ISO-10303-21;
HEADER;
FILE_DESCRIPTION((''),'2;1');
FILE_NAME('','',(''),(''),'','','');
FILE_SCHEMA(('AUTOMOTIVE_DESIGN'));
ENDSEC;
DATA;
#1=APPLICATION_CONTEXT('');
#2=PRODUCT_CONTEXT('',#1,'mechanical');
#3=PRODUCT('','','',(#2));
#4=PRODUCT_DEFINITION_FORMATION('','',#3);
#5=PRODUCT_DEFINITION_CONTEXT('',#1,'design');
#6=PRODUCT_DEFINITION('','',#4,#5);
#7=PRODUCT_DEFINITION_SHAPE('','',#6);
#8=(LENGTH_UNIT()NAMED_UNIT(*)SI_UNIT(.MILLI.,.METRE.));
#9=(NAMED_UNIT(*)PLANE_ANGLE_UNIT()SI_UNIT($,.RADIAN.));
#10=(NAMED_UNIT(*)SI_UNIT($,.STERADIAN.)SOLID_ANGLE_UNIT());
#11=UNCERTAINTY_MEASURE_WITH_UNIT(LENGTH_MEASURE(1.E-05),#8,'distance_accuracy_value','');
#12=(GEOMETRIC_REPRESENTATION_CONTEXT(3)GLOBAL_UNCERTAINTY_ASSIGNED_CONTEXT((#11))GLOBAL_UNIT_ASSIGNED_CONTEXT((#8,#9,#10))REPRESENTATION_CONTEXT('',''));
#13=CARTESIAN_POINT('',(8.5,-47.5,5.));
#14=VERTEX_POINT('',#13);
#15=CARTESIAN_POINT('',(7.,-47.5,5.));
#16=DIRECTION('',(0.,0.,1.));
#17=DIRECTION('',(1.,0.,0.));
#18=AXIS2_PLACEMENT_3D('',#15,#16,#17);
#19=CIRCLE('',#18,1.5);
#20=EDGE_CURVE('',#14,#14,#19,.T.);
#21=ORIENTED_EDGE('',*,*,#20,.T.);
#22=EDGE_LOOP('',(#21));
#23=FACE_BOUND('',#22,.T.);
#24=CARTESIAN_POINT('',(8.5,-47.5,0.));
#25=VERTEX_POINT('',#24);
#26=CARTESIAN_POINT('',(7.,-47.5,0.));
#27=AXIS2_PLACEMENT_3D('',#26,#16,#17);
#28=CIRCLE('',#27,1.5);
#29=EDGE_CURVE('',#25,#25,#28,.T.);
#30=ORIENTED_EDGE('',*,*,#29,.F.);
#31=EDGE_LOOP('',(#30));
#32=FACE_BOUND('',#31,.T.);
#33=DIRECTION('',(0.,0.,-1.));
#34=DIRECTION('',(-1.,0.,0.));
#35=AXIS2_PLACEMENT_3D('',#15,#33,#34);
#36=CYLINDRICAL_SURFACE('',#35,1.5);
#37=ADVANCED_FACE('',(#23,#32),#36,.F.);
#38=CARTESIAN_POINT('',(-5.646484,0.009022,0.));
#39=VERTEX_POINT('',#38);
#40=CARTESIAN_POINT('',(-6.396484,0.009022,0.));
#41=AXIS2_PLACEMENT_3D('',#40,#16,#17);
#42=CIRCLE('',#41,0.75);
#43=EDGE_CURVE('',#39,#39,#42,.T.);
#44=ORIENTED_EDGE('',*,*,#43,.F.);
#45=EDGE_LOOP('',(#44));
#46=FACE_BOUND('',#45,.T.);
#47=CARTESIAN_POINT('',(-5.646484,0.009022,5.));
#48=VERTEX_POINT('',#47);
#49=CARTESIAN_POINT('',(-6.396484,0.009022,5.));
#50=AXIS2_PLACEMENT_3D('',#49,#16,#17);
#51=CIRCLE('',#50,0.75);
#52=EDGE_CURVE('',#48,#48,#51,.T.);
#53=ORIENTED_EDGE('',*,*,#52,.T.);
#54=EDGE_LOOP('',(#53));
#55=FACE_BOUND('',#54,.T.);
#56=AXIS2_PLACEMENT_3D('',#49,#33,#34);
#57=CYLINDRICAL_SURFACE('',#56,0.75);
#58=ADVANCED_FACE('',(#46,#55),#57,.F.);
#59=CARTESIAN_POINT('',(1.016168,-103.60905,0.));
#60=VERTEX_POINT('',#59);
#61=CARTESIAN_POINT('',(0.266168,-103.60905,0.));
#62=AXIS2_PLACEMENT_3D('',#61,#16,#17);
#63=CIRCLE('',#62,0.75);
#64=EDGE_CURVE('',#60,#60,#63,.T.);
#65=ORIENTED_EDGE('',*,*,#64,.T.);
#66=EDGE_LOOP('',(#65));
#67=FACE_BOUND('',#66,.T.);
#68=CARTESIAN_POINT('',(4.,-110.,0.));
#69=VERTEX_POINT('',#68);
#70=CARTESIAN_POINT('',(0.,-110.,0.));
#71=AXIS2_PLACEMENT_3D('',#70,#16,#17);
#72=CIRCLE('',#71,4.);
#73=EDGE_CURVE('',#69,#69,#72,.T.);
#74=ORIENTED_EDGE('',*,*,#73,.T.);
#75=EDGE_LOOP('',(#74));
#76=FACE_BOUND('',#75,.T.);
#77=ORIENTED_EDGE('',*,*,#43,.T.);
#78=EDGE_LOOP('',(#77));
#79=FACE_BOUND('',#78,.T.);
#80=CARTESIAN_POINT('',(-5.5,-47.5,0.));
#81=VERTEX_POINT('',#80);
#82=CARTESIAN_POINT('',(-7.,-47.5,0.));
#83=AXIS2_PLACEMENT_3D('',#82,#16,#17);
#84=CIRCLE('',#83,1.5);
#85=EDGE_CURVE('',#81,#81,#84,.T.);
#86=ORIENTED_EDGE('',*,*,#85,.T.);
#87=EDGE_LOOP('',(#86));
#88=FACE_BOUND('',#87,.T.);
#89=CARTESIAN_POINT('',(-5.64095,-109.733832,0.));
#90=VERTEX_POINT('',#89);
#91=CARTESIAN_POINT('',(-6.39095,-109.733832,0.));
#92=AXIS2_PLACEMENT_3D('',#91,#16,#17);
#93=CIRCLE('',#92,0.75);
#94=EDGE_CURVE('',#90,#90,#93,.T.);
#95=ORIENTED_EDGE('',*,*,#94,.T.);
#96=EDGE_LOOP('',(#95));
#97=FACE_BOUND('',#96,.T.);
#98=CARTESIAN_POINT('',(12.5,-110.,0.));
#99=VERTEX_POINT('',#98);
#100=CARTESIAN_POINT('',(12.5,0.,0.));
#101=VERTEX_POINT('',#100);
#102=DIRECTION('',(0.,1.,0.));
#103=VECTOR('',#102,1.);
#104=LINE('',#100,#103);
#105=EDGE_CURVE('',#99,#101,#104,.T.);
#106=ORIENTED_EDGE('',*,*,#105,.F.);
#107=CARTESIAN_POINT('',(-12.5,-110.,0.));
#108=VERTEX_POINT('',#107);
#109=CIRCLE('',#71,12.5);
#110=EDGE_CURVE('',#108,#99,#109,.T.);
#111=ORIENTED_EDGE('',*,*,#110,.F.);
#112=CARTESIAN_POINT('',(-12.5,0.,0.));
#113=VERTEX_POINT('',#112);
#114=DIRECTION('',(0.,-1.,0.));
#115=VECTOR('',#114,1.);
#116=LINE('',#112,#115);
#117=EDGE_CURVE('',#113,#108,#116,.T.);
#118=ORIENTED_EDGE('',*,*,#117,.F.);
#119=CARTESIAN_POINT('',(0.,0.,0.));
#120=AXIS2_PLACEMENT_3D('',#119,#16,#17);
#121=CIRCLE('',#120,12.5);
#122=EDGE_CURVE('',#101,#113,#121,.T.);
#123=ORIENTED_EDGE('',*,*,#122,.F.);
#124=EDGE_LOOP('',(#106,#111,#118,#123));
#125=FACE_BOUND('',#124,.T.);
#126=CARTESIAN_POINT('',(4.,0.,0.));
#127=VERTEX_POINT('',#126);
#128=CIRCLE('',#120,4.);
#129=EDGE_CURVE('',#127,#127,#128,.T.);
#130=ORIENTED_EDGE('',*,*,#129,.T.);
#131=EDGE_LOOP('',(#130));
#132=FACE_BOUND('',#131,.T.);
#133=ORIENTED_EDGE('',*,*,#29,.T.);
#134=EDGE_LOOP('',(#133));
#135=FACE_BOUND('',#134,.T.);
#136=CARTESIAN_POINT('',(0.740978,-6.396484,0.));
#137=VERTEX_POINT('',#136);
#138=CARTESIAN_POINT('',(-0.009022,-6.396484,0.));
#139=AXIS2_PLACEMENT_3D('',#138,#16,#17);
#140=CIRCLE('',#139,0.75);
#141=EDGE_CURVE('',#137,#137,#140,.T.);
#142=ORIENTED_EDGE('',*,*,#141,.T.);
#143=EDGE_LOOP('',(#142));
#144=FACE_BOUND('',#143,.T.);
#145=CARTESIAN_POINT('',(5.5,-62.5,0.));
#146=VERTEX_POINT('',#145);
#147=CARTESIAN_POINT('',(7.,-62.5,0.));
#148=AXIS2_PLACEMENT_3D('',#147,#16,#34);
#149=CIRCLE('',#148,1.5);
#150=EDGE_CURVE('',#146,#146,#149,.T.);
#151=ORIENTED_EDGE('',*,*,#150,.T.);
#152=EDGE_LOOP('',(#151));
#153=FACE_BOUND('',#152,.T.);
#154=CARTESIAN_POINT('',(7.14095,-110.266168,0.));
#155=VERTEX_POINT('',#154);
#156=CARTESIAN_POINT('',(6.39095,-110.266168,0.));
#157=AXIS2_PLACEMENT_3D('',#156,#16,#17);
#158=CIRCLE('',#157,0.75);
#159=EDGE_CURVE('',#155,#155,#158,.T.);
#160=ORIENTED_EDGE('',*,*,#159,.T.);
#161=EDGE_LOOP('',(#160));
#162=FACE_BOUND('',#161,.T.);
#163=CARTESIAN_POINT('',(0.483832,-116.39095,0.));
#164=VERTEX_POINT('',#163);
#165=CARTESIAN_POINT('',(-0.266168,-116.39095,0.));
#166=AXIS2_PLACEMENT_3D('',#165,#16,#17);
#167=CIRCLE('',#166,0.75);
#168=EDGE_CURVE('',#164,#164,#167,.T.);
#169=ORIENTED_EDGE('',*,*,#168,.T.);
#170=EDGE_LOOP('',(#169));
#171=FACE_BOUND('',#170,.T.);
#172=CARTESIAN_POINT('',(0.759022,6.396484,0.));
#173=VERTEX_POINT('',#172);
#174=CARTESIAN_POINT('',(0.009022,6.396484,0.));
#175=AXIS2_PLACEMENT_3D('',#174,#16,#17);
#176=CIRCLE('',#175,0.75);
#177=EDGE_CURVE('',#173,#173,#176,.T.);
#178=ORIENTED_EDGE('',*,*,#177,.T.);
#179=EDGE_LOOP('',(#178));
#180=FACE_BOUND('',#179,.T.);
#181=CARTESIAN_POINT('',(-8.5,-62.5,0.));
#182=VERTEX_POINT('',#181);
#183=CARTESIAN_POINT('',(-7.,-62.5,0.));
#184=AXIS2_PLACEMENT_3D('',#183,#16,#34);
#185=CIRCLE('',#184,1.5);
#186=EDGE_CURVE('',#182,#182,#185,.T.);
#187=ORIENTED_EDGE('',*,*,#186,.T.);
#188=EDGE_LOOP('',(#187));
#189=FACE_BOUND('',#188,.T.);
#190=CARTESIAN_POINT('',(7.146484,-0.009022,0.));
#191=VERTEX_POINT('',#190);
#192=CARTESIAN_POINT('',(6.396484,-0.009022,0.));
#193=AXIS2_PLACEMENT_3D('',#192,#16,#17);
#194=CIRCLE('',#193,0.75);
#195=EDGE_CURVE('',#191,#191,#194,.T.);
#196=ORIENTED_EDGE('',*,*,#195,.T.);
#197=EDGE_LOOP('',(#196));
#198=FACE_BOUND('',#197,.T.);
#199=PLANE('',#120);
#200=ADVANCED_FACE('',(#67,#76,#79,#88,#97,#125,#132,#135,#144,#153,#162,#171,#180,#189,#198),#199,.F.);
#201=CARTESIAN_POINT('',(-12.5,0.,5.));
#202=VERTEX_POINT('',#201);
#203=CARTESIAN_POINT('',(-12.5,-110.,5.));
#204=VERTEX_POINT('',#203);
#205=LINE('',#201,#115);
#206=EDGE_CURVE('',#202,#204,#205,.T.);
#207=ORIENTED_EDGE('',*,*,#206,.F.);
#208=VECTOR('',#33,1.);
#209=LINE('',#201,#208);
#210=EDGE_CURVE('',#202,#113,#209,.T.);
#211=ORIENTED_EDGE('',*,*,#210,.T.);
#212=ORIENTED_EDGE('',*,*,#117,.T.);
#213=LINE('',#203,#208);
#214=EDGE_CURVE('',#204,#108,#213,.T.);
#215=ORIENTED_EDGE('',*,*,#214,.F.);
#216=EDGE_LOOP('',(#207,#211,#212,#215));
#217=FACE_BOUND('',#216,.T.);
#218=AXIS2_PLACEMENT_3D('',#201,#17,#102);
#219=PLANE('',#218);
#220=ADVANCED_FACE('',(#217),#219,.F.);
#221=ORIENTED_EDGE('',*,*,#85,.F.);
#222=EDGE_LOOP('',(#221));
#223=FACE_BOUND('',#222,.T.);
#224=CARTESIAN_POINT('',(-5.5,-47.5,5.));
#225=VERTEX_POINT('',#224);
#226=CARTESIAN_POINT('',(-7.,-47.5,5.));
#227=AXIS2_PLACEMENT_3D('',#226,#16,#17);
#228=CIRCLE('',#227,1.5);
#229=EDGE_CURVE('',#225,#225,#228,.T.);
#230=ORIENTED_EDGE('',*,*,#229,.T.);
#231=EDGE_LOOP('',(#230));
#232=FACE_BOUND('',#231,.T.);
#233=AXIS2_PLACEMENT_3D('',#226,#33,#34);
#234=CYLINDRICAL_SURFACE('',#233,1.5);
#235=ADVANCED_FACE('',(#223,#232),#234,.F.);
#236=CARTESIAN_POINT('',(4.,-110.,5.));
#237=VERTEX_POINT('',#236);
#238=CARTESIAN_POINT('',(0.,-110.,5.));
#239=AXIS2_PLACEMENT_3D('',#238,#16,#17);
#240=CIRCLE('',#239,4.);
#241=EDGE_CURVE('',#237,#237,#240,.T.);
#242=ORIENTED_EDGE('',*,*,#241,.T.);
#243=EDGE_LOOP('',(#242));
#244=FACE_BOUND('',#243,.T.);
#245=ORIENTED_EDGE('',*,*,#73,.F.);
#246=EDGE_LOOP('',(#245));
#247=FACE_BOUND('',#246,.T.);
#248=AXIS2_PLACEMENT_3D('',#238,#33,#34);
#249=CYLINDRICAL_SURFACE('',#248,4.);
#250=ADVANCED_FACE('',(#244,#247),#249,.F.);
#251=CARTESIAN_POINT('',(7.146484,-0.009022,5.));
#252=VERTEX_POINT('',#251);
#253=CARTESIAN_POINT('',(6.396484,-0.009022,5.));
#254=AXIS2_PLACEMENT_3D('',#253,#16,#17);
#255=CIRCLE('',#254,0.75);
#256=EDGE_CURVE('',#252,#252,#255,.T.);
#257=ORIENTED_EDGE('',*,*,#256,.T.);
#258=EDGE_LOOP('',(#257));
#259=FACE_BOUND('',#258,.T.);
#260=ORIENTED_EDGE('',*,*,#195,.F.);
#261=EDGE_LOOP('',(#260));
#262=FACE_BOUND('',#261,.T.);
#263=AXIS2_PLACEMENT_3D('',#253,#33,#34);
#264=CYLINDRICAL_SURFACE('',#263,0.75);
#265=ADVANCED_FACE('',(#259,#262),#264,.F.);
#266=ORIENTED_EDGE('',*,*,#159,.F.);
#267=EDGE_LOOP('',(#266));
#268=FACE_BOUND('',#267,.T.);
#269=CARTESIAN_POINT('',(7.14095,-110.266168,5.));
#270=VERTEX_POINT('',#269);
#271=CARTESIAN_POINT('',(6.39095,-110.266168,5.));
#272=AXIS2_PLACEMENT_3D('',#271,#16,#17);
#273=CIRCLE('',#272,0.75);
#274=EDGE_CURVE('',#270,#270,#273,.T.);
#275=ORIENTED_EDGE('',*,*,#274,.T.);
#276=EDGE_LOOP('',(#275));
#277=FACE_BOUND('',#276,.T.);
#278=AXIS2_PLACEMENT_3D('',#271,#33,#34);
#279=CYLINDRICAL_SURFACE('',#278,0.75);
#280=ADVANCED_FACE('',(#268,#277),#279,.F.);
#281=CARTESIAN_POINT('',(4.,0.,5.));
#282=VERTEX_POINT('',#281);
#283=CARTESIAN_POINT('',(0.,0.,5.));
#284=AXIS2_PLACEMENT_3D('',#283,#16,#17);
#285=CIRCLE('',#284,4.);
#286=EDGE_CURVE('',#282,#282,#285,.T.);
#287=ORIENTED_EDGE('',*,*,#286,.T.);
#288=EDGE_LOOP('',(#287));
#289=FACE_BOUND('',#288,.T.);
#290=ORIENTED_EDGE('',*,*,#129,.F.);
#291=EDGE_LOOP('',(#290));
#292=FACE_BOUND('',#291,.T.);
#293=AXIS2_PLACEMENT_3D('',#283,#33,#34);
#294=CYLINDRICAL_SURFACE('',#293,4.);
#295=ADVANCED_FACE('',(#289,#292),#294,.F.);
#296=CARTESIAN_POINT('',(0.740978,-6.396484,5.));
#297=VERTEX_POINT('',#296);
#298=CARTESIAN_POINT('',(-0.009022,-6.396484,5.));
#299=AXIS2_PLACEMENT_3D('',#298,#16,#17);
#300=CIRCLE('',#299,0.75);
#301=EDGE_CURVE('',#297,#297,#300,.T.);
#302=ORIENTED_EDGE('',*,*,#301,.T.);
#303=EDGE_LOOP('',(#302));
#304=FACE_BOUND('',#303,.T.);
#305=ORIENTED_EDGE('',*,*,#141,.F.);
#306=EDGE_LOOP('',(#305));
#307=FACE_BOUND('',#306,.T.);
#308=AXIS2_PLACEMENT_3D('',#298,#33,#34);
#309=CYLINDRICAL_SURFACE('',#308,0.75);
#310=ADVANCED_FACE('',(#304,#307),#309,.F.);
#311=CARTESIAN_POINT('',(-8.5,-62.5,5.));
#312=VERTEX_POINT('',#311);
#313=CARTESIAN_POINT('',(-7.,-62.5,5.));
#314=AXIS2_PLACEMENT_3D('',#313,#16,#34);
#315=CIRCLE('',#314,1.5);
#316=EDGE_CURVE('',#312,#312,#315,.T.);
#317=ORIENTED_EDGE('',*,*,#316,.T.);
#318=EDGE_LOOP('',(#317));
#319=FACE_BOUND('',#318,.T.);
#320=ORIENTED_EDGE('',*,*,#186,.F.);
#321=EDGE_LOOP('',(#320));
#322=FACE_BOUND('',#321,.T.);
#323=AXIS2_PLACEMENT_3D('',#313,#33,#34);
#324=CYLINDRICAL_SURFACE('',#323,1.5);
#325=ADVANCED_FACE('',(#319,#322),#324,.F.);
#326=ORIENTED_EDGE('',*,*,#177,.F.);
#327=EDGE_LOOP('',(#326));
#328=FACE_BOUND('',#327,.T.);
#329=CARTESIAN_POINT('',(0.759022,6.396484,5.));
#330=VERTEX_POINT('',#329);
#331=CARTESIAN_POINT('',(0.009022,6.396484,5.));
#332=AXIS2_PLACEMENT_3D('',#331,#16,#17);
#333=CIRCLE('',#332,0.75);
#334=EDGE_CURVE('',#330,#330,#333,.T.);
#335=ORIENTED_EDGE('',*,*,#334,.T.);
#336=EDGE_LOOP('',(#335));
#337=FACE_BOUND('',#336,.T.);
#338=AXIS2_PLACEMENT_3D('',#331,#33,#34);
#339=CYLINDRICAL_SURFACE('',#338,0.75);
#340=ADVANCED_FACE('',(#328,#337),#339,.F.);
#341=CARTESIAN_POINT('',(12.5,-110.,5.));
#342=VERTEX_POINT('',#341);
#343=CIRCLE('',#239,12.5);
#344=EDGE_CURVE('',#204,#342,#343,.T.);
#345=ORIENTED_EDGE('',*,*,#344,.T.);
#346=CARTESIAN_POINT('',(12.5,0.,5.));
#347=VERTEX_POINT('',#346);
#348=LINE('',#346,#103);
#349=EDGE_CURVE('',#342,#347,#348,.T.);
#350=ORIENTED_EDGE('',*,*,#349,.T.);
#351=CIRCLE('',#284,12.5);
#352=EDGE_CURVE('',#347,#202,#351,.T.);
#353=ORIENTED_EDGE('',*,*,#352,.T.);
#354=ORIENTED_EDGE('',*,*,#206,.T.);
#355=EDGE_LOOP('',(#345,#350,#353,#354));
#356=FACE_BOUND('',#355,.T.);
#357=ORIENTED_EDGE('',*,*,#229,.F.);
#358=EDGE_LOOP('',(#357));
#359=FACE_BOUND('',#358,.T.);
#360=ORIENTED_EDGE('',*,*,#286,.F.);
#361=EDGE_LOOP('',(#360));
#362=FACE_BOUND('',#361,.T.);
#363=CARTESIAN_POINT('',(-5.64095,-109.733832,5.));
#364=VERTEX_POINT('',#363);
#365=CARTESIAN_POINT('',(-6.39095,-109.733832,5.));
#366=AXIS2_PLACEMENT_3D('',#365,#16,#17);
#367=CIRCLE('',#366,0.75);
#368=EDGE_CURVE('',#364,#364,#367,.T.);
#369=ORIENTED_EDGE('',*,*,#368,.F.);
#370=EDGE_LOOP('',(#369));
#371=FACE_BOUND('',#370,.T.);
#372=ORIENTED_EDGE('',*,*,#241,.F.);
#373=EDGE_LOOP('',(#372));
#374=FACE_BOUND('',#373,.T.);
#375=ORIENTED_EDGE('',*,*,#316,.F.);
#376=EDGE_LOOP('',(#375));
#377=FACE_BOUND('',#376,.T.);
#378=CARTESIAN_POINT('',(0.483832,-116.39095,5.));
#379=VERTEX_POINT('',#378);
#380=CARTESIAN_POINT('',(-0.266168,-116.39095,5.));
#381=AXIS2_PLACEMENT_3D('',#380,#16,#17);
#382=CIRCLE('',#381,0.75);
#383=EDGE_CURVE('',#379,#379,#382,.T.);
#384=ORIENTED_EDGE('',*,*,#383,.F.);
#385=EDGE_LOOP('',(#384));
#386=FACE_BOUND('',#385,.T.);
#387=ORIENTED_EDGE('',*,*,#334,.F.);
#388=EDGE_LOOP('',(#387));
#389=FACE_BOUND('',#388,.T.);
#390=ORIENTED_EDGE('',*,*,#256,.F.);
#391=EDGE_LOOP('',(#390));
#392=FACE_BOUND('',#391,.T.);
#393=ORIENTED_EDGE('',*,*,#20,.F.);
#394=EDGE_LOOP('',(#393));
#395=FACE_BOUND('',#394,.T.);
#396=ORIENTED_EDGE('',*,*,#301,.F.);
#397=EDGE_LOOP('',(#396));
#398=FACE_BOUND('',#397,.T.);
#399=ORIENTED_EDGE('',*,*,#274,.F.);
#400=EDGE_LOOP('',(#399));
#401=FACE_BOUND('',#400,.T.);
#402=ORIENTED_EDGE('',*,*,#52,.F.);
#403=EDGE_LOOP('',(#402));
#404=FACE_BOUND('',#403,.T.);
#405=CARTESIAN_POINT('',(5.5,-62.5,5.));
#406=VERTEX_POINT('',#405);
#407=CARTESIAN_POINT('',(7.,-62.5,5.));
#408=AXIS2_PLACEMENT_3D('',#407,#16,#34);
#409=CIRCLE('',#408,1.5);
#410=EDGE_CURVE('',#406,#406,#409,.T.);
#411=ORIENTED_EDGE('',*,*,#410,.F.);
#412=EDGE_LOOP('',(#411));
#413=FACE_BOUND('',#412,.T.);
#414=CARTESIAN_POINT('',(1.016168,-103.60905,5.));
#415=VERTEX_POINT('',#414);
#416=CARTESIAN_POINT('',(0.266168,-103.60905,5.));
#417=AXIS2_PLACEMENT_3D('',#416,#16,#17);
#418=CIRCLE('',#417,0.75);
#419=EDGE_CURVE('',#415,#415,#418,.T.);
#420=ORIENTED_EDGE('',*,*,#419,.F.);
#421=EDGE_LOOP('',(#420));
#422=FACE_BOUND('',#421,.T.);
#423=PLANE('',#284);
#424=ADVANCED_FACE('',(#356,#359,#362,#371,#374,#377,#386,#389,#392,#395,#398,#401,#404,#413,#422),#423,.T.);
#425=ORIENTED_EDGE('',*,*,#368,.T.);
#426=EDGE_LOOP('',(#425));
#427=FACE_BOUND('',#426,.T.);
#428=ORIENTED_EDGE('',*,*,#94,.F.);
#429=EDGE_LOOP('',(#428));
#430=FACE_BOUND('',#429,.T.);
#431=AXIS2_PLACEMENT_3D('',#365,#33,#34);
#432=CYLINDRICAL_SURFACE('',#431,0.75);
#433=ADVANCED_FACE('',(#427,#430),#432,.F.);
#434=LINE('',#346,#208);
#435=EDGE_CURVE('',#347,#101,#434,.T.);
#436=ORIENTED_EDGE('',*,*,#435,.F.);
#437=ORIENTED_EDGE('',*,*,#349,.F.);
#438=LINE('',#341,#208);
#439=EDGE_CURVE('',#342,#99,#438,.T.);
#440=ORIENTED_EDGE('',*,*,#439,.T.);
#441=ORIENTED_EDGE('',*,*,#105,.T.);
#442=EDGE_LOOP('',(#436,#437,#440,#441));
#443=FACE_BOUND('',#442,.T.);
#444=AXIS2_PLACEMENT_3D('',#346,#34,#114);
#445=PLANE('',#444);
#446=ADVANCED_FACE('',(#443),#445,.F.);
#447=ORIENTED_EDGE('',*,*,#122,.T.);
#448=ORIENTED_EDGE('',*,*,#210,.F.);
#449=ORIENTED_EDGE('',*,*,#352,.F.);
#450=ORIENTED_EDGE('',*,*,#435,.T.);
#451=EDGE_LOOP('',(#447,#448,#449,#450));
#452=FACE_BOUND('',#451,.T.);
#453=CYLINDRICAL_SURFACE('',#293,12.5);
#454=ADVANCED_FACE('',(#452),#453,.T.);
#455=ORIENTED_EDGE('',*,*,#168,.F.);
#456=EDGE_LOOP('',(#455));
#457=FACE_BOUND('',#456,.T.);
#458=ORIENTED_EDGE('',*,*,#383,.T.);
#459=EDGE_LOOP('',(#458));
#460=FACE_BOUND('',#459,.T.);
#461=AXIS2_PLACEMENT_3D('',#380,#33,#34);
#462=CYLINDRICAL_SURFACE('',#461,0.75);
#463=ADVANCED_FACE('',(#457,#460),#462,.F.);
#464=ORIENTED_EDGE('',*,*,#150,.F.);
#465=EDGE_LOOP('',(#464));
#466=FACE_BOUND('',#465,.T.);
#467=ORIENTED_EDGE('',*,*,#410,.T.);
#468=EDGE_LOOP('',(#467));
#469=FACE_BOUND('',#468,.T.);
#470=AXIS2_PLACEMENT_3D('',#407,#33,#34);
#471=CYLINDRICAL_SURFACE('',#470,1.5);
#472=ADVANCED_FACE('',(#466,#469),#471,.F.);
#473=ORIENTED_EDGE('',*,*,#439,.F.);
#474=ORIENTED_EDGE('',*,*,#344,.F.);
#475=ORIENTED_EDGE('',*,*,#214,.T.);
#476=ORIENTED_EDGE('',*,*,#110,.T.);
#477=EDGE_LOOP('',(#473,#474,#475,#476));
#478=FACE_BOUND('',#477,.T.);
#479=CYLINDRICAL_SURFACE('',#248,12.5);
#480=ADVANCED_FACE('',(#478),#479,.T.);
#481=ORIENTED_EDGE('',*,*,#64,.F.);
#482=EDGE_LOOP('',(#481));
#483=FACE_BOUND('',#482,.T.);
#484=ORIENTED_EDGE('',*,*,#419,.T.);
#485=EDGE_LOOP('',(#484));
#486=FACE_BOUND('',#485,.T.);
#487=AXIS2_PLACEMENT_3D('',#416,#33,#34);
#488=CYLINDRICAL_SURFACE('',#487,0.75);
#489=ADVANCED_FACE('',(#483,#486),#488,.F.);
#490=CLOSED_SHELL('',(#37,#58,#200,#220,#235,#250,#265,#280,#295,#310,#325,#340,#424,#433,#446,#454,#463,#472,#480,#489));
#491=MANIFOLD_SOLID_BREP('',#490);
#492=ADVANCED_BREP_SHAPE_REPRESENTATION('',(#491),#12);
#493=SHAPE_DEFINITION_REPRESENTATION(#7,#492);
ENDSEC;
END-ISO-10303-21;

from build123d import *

# Parameters (mm, degrees)
SKETCH2_R           = 4
SKETCH2_R_2         = 1.5
SKETCH2_R_3         = 0.75
BOSS_EXTRUDE1_DEPTH = 5


with BuildPart() as part:
    # Sketch2 → Boss-Extrude1 (new body)
    with BuildSketch(Plane.XY):
        with BuildLine():
            Line((12.5, 0), (12.5, -110))
            ThreePointArc((12.5, -110), (0, -122.5), (-12.5, -110))
            Line((-12.5, -110), (-12.5, 0))
            ThreePointArc((-12.5, 0), (0, 12.5), (12.5, 0))
        make_face()
        Circle(SKETCH2_R, mode=Mode.SUBTRACT)
        with Locations((0, -110)):
            Circle(SKETCH2_R, mode=Mode.SUBTRACT)
        with Locations((7, -47.5)):
            Circle(SKETCH2_R_2, mode=Mode.SUBTRACT)
        with Locations((-7, -47.5)):
            Circle(SKETCH2_R_2, mode=Mode.SUBTRACT)
        with Locations((7, -62.5)):
            Circle(SKETCH2_R_2, mode=Mode.SUBTRACT)
        with Locations((-7, -62.5)):
            Circle(SKETCH2_R_2, mode=Mode.SUBTRACT)
        with Locations((6.390950113, -110.266167545)):
            Circle(SKETCH2_R_3, mode=Mode.SUBTRACT)
        with Locations((-0.266167545, -116.390950113)):
            Circle(SKETCH2_R_3, mode=Mode.SUBTRACT)
        with Locations((-6.390950113, -109.733832455)):
            Circle(SKETCH2_R_3, mode=Mode.SUBTRACT)
        with Locations((0.266167545, -103.609049887)):
            Circle(SKETCH2_R_3, mode=Mode.SUBTRACT)
        with Locations((-6.396483965, 0.009022015)):
            Circle(SKETCH2_R_3, mode=Mode.SUBTRACT)
        with Locations((0.009022015, 6.396483965)):
            Circle(SKETCH2_R_3, mode=Mode.SUBTRACT)
        with Locations((-0.009022015, -6.396483966)):
            Circle(SKETCH2_R_3, mode=Mode.SUBTRACT)
        with Locations((6.396483965, -0.009022016)):
            Circle(SKETCH2_R_3, mode=Mode.SUBTRACT)
    extrude(amount=BOSS_EXTRUDE1_DEPTH)


solid = part.part
